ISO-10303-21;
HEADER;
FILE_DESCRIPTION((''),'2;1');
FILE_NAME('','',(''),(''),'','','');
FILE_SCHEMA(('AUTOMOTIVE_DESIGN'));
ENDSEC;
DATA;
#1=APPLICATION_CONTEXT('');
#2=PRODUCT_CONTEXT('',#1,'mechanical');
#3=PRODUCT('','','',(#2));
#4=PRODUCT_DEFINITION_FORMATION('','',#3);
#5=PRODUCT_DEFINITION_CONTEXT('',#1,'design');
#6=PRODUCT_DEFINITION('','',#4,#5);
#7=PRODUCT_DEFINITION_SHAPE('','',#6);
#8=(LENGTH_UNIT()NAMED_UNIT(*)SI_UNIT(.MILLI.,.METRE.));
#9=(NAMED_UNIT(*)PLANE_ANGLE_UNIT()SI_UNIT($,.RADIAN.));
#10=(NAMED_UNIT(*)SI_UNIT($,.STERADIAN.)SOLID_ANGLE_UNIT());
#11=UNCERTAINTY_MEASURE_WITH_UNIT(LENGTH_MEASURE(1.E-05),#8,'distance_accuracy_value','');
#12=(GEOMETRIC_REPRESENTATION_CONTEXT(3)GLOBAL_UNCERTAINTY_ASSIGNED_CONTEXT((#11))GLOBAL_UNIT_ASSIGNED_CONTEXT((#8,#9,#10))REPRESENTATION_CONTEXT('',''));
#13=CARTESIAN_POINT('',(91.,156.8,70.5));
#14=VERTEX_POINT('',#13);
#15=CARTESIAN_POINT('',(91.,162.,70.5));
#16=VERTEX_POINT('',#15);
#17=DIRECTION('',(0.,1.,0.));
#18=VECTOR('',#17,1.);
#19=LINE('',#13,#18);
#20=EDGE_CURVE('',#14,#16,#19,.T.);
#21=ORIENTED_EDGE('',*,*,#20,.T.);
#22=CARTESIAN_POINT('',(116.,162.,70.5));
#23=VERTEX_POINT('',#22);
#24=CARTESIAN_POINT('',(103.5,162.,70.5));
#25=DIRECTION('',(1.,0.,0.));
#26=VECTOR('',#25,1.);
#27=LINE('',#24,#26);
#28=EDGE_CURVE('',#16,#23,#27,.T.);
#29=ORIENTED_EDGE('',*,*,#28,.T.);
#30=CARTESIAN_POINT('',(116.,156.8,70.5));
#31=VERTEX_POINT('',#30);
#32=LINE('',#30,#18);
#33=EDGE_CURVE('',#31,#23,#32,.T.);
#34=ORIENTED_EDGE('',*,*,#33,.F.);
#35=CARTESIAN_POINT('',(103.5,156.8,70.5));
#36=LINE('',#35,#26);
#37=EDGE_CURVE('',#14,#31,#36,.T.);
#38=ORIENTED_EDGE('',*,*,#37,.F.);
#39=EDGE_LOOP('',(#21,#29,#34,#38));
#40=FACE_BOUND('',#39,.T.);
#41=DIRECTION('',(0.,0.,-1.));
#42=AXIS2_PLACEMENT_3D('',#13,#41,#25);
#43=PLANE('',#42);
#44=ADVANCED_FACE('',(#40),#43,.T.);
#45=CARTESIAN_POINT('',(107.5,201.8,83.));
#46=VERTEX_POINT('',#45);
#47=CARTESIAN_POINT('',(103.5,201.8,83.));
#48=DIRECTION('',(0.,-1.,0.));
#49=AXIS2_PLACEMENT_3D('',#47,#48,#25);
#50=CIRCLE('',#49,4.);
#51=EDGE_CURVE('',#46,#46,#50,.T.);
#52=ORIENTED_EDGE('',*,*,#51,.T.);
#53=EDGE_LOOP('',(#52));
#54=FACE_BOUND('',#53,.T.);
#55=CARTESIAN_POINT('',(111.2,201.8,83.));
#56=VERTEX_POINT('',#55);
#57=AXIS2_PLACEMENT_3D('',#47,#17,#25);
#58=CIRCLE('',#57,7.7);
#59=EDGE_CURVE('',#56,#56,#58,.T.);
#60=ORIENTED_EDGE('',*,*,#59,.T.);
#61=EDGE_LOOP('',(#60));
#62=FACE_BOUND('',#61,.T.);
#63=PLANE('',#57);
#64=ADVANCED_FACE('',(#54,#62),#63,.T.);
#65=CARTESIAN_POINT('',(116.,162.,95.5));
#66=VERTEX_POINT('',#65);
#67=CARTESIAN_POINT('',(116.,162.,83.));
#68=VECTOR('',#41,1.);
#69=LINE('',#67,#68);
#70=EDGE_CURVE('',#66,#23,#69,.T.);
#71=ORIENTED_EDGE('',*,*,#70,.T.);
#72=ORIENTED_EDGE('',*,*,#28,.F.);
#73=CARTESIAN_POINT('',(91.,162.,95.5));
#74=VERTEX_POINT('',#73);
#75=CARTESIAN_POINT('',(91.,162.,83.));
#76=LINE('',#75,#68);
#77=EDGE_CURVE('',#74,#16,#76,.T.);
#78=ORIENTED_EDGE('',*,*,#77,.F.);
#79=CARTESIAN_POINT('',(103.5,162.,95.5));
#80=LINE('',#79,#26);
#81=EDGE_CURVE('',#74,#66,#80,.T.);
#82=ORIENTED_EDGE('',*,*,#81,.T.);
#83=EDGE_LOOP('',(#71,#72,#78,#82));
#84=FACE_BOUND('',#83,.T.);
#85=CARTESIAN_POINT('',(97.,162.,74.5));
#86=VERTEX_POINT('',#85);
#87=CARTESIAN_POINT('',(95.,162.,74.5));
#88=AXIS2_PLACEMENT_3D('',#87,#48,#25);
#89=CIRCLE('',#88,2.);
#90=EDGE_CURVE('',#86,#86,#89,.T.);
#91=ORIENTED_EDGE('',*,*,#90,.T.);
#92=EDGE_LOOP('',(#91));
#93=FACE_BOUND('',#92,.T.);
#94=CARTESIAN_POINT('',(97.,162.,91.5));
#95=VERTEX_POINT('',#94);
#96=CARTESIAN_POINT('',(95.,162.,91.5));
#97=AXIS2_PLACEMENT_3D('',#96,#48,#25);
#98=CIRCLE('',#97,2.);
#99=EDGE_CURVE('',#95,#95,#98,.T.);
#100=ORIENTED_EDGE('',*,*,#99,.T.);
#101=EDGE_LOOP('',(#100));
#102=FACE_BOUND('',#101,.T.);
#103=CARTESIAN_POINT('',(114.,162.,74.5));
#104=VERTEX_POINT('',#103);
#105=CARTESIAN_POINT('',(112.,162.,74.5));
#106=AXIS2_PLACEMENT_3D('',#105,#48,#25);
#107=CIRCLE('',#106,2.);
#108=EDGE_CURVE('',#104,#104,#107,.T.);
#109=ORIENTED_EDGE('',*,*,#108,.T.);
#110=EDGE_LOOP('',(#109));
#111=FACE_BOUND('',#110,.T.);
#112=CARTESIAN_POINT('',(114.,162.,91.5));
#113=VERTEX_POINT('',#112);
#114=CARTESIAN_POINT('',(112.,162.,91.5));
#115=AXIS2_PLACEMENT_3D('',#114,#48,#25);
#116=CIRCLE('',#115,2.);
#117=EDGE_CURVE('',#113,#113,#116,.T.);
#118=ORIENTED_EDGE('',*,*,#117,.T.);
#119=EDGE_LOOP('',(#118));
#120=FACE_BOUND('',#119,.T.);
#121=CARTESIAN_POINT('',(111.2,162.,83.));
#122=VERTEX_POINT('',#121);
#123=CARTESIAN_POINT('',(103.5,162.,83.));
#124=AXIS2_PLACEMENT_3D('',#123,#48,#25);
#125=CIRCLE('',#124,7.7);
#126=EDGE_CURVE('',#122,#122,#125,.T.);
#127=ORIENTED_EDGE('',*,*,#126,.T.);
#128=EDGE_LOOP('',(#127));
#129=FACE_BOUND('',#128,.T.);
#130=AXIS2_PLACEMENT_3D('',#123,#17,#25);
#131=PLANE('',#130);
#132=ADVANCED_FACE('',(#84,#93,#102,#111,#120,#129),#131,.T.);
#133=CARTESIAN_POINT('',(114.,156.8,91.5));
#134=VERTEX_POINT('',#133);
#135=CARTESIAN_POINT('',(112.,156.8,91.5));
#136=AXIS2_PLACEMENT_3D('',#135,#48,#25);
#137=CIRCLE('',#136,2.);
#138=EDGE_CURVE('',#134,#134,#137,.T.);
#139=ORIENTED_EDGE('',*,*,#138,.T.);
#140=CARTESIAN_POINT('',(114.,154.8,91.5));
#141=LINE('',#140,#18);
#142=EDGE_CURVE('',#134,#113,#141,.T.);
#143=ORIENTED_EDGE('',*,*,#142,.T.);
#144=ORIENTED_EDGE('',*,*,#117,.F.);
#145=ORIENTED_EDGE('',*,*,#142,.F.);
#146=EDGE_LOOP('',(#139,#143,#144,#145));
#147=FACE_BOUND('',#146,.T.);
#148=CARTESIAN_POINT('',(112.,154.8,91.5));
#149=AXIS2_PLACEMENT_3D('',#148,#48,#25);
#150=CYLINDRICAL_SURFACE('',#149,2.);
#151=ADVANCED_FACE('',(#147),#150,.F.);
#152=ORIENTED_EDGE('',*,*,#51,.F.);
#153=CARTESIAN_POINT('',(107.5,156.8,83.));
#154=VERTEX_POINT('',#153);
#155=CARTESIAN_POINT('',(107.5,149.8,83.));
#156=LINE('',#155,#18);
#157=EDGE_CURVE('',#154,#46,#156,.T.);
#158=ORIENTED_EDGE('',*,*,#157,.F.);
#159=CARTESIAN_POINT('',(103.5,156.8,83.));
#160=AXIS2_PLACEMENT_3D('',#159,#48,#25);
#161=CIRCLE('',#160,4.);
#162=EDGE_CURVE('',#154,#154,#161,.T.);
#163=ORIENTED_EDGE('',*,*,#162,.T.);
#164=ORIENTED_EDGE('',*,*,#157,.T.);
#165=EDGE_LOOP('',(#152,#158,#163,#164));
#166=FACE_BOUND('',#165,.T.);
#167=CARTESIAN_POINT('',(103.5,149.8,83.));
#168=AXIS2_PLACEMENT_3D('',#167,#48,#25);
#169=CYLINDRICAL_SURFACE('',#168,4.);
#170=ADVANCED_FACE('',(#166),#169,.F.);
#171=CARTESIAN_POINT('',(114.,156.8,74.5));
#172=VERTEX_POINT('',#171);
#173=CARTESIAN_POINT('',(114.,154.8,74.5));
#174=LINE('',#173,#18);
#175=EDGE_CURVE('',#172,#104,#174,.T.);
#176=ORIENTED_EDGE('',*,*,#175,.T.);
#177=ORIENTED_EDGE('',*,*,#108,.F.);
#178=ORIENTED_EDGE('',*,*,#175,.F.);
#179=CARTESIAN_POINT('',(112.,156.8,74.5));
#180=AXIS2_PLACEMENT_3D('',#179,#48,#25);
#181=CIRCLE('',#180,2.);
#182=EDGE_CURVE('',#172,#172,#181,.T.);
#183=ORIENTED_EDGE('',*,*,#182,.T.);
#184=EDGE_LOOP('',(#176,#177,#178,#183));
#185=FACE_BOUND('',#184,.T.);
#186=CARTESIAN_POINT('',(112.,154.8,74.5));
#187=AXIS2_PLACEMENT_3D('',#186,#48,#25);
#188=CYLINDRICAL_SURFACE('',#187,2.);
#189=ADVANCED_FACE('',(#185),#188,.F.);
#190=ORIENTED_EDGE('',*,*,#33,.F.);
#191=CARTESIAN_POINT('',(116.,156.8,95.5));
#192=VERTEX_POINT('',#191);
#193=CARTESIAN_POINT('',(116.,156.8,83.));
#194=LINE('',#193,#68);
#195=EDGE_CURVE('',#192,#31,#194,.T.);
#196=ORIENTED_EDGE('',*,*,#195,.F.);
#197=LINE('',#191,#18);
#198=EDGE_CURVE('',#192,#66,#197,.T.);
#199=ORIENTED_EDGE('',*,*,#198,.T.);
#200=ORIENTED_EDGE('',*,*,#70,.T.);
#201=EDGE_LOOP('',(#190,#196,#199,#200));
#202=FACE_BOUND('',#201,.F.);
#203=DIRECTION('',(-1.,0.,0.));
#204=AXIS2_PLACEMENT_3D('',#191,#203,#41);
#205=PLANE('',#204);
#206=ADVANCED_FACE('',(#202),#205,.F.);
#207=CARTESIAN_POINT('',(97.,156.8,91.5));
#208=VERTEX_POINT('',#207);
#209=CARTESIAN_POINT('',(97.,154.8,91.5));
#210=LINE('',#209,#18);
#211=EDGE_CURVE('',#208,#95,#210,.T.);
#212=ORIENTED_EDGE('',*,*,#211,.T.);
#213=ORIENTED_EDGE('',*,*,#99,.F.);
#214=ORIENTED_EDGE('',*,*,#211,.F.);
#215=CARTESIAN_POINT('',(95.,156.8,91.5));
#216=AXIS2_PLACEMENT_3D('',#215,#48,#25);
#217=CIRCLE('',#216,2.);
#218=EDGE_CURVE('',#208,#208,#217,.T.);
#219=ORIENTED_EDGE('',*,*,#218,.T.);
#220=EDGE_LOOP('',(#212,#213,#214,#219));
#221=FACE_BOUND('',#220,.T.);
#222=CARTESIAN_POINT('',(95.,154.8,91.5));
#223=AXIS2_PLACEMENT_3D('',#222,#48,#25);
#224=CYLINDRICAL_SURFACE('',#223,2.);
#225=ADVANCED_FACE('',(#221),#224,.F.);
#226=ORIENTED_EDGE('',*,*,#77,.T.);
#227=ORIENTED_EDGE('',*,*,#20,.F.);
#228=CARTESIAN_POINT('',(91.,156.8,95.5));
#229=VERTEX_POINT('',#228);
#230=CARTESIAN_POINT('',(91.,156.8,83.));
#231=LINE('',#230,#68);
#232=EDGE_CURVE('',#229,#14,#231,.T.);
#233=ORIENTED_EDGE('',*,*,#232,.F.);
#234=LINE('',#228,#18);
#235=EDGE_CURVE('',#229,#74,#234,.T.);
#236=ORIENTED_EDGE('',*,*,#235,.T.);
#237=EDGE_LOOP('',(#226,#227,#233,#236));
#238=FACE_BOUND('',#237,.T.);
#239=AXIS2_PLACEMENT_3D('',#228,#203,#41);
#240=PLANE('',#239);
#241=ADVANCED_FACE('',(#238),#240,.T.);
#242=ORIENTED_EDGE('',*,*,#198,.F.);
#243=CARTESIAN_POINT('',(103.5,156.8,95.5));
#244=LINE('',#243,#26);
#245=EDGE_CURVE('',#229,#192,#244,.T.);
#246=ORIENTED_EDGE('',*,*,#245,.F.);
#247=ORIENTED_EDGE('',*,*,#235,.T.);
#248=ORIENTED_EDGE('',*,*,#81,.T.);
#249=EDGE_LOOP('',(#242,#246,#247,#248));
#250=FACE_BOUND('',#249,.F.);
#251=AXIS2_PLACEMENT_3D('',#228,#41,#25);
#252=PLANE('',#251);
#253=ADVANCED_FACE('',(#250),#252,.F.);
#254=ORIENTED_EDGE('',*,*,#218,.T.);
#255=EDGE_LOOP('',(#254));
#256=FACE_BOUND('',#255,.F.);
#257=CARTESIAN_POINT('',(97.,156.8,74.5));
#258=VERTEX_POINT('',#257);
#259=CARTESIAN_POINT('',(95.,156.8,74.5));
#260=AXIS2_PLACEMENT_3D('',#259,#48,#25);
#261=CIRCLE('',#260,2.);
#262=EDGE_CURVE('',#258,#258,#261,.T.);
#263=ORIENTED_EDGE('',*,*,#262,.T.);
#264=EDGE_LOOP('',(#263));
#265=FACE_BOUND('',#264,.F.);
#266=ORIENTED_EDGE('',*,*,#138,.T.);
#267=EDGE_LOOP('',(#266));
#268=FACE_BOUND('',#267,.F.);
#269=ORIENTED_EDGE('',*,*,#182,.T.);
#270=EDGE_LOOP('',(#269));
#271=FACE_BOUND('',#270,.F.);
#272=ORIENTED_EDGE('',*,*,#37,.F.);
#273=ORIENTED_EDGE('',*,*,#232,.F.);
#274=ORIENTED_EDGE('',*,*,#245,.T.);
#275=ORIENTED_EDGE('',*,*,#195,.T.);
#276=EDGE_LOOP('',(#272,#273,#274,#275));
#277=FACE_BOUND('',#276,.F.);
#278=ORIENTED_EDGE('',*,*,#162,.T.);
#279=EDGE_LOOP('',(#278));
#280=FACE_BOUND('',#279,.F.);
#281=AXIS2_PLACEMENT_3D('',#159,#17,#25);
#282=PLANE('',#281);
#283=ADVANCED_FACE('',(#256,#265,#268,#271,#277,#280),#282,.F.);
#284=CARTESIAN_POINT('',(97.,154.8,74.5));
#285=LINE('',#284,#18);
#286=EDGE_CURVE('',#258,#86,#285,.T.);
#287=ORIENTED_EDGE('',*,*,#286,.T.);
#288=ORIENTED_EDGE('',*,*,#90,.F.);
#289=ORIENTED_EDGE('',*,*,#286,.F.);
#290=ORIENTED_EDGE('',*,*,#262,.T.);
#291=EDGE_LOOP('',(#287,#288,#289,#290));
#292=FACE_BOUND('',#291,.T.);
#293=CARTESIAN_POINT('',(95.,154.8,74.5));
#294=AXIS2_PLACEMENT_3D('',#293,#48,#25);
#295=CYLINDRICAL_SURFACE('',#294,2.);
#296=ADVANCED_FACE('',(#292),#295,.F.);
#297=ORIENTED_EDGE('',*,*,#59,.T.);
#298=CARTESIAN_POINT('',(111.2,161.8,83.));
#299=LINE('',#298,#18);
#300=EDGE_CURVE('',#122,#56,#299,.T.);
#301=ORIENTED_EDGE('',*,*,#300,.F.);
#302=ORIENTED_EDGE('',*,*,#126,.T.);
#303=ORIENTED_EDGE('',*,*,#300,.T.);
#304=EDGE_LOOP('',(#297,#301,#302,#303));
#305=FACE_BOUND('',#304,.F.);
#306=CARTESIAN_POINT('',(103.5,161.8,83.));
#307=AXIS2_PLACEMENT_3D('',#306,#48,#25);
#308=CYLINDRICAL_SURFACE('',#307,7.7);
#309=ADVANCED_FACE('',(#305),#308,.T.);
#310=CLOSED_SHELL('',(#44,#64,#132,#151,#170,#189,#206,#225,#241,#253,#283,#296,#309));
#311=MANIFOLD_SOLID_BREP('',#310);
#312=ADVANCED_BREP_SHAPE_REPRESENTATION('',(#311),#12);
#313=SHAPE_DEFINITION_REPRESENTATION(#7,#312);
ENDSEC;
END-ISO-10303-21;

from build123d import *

# Parameters (mm, degrees)
CYLINDER159_R          = 2
CYLINDER159_DEPTH      = 10
CYLINDER161_R          = 2
CYLINDER161_DEPTH      = 10
CYLINDER162_R          = 2
CYLINDER162_DEPTH      = 10
CYLINDER158_R          = 2
CYLINDER158_DEPTH      = 10
CYLINDER160_R          = 4
CYLINDER160_DEPTH      = 60
CYLINDER157_R          = 7.7
CYLINDER157_DEPTH      = 40
BOX069_W               = 25
BOX069_H               = 25
BOX069_DEPTH           = 5.2
CUT147_PLACEMENT_ANGLE = 90


with BuildPart() as cylinder159:
    # Cylinder159 → Cylinder159 (new body)
    with BuildSketch(Plane(origin=(21, 21, -2), x_dir=(1, 0, 0), z_dir=(0, 0, 1))):
        Circle(CYLINDER159_R)
    extrude(amount=CYLINDER159_DEPTH)


with BuildPart() as cylinder161:
    # Cylinder161 → Cylinder161 (new body)
    with BuildSketch(Plane(origin=(21, 4, -2), x_dir=(1, 0, 0), z_dir=(0, 0, 1))):
        Circle(CYLINDER161_R)
    extrude(amount=CYLINDER161_DEPTH)


with BuildPart() as cylinder162:
    # Cylinder162 → Cylinder162 (new body)
    with BuildSketch(Plane(origin=(4, 21, -2), x_dir=(1, 0, 0), z_dir=(0, 0, 1))):
        Circle(CYLINDER162_R)
    extrude(amount=CYLINDER162_DEPTH)


with BuildPart() as cylinder158:
    # Cylinder158 → Cylinder158 (new body)
    with BuildSketch(Plane(origin=(4, 4, -2), x_dir=(1, 0, 0), z_dir=(0, 0, 1))):
        Circle(CYLINDER158_R)
    extrude(amount=CYLINDER158_DEPTH)


with BuildPart() as cylinder160:
    # Cylinder160 → Cylinder160 (new body)
    with BuildSketch(Plane(origin=(12.5, 12.5, -7), x_dir=(1, 0, 0), z_dir=(0, 0, 1))):
        Circle(CYLINDER160_R)
    extrude(amount=CYLINDER160_DEPTH)


with BuildPart() as cylinder157:
    # Cylinder157 → Cylinder157 (new body)
    with BuildSketch(Plane(origin=(12.5, 12.5, 5), x_dir=(1, 0, 0), z_dir=(0, 0, 1))):
        Circle(CYLINDER157_R)
    extrude(amount=CYLINDER157_DEPTH)


with BuildPart() as cut147:
    # Box069 → Box069 (new body)
    with BuildSketch(Plane.XY):
        with Locations((12.5, 12.5)):
            Rectangle(BOX069_W, BOX069_H)
    extrude(amount=BOX069_DEPTH)

    # Fusion082: union Cylinder157
    add(cylinder157.part)

    # Cut148: cut Cylinder160
    add(cylinder160.part, mode=Mode.SUBTRACT)

    # Cut145: cut Cylinder158
    add(cylinder158.part, mode=Mode.SUBTRACT)

    # Cut149: cut Cylinder162
    add(cylinder162.part, mode=Mode.SUBTRACT)

    # Cut146: cut Cylinder161
    add(cylinder161.part, mode=Mode.SUBTRACT)

    # Cut147: cut Cylinder159
    add(cylinder159.part, mode=Mode.SUBTRACT)


with BuildPart() as cut147_1:
    # Cut147 placement: moved
    add(cut147.part.moved(Location((91, 156.8, 95.5))).rotate(Axis((91, 156.8, 95.5), (-1, 0, 0)), CUT147_PLACEMENT_ANGLE))


solid = cut147_1.part
